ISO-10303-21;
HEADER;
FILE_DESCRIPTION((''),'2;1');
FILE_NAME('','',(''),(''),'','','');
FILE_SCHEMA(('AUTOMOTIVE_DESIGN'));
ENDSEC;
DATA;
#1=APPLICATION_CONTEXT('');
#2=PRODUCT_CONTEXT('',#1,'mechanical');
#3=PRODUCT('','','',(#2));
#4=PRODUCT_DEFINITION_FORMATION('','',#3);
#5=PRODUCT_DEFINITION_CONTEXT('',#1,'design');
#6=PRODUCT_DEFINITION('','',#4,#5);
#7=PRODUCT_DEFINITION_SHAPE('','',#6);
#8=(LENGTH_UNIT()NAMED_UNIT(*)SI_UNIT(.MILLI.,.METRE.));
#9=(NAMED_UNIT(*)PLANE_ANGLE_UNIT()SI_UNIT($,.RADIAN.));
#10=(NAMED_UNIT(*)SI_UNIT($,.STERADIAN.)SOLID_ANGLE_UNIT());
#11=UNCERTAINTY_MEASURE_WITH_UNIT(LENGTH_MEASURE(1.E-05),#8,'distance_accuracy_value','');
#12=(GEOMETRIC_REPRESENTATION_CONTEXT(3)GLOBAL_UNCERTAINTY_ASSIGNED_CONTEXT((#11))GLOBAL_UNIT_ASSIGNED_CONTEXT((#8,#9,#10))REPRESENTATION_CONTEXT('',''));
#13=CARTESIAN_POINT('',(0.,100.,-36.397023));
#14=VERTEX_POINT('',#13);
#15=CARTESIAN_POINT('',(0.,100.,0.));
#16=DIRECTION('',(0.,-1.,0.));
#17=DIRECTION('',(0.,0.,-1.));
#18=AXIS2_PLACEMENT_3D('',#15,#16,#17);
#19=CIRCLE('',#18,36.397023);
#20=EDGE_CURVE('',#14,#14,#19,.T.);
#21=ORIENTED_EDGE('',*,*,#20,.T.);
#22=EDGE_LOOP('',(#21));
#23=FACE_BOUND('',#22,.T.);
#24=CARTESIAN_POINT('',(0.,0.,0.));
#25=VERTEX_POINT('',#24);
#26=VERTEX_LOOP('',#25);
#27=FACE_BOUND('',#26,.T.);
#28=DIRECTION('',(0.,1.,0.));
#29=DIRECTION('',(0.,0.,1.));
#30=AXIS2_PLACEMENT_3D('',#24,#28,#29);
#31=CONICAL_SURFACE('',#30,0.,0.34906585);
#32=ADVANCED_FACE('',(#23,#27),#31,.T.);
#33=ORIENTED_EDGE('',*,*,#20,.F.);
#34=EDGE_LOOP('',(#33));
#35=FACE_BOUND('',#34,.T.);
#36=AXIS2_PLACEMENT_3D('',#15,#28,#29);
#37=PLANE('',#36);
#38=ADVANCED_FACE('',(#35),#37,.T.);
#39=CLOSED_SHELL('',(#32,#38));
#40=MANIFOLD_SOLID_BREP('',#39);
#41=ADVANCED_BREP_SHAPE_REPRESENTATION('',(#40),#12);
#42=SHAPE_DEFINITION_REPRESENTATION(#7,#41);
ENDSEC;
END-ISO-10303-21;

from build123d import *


with BuildPart() as part:
    # Sketch1 → Revolve1 (revolve)
    with BuildSketch(Plane.XY, mode=Mode.PRIVATE) as revolve1_sk:
        Polygon((-36.397023427, 100), (0, 0), (0, 100), align=None)
    revolve(revolve1_sk.sketch.rotate(Axis((0, 0, 0), (0, 1, 0)), 90), axis=Axis((0, 0, 0), (0, 1, 0)))


solid = part.part
